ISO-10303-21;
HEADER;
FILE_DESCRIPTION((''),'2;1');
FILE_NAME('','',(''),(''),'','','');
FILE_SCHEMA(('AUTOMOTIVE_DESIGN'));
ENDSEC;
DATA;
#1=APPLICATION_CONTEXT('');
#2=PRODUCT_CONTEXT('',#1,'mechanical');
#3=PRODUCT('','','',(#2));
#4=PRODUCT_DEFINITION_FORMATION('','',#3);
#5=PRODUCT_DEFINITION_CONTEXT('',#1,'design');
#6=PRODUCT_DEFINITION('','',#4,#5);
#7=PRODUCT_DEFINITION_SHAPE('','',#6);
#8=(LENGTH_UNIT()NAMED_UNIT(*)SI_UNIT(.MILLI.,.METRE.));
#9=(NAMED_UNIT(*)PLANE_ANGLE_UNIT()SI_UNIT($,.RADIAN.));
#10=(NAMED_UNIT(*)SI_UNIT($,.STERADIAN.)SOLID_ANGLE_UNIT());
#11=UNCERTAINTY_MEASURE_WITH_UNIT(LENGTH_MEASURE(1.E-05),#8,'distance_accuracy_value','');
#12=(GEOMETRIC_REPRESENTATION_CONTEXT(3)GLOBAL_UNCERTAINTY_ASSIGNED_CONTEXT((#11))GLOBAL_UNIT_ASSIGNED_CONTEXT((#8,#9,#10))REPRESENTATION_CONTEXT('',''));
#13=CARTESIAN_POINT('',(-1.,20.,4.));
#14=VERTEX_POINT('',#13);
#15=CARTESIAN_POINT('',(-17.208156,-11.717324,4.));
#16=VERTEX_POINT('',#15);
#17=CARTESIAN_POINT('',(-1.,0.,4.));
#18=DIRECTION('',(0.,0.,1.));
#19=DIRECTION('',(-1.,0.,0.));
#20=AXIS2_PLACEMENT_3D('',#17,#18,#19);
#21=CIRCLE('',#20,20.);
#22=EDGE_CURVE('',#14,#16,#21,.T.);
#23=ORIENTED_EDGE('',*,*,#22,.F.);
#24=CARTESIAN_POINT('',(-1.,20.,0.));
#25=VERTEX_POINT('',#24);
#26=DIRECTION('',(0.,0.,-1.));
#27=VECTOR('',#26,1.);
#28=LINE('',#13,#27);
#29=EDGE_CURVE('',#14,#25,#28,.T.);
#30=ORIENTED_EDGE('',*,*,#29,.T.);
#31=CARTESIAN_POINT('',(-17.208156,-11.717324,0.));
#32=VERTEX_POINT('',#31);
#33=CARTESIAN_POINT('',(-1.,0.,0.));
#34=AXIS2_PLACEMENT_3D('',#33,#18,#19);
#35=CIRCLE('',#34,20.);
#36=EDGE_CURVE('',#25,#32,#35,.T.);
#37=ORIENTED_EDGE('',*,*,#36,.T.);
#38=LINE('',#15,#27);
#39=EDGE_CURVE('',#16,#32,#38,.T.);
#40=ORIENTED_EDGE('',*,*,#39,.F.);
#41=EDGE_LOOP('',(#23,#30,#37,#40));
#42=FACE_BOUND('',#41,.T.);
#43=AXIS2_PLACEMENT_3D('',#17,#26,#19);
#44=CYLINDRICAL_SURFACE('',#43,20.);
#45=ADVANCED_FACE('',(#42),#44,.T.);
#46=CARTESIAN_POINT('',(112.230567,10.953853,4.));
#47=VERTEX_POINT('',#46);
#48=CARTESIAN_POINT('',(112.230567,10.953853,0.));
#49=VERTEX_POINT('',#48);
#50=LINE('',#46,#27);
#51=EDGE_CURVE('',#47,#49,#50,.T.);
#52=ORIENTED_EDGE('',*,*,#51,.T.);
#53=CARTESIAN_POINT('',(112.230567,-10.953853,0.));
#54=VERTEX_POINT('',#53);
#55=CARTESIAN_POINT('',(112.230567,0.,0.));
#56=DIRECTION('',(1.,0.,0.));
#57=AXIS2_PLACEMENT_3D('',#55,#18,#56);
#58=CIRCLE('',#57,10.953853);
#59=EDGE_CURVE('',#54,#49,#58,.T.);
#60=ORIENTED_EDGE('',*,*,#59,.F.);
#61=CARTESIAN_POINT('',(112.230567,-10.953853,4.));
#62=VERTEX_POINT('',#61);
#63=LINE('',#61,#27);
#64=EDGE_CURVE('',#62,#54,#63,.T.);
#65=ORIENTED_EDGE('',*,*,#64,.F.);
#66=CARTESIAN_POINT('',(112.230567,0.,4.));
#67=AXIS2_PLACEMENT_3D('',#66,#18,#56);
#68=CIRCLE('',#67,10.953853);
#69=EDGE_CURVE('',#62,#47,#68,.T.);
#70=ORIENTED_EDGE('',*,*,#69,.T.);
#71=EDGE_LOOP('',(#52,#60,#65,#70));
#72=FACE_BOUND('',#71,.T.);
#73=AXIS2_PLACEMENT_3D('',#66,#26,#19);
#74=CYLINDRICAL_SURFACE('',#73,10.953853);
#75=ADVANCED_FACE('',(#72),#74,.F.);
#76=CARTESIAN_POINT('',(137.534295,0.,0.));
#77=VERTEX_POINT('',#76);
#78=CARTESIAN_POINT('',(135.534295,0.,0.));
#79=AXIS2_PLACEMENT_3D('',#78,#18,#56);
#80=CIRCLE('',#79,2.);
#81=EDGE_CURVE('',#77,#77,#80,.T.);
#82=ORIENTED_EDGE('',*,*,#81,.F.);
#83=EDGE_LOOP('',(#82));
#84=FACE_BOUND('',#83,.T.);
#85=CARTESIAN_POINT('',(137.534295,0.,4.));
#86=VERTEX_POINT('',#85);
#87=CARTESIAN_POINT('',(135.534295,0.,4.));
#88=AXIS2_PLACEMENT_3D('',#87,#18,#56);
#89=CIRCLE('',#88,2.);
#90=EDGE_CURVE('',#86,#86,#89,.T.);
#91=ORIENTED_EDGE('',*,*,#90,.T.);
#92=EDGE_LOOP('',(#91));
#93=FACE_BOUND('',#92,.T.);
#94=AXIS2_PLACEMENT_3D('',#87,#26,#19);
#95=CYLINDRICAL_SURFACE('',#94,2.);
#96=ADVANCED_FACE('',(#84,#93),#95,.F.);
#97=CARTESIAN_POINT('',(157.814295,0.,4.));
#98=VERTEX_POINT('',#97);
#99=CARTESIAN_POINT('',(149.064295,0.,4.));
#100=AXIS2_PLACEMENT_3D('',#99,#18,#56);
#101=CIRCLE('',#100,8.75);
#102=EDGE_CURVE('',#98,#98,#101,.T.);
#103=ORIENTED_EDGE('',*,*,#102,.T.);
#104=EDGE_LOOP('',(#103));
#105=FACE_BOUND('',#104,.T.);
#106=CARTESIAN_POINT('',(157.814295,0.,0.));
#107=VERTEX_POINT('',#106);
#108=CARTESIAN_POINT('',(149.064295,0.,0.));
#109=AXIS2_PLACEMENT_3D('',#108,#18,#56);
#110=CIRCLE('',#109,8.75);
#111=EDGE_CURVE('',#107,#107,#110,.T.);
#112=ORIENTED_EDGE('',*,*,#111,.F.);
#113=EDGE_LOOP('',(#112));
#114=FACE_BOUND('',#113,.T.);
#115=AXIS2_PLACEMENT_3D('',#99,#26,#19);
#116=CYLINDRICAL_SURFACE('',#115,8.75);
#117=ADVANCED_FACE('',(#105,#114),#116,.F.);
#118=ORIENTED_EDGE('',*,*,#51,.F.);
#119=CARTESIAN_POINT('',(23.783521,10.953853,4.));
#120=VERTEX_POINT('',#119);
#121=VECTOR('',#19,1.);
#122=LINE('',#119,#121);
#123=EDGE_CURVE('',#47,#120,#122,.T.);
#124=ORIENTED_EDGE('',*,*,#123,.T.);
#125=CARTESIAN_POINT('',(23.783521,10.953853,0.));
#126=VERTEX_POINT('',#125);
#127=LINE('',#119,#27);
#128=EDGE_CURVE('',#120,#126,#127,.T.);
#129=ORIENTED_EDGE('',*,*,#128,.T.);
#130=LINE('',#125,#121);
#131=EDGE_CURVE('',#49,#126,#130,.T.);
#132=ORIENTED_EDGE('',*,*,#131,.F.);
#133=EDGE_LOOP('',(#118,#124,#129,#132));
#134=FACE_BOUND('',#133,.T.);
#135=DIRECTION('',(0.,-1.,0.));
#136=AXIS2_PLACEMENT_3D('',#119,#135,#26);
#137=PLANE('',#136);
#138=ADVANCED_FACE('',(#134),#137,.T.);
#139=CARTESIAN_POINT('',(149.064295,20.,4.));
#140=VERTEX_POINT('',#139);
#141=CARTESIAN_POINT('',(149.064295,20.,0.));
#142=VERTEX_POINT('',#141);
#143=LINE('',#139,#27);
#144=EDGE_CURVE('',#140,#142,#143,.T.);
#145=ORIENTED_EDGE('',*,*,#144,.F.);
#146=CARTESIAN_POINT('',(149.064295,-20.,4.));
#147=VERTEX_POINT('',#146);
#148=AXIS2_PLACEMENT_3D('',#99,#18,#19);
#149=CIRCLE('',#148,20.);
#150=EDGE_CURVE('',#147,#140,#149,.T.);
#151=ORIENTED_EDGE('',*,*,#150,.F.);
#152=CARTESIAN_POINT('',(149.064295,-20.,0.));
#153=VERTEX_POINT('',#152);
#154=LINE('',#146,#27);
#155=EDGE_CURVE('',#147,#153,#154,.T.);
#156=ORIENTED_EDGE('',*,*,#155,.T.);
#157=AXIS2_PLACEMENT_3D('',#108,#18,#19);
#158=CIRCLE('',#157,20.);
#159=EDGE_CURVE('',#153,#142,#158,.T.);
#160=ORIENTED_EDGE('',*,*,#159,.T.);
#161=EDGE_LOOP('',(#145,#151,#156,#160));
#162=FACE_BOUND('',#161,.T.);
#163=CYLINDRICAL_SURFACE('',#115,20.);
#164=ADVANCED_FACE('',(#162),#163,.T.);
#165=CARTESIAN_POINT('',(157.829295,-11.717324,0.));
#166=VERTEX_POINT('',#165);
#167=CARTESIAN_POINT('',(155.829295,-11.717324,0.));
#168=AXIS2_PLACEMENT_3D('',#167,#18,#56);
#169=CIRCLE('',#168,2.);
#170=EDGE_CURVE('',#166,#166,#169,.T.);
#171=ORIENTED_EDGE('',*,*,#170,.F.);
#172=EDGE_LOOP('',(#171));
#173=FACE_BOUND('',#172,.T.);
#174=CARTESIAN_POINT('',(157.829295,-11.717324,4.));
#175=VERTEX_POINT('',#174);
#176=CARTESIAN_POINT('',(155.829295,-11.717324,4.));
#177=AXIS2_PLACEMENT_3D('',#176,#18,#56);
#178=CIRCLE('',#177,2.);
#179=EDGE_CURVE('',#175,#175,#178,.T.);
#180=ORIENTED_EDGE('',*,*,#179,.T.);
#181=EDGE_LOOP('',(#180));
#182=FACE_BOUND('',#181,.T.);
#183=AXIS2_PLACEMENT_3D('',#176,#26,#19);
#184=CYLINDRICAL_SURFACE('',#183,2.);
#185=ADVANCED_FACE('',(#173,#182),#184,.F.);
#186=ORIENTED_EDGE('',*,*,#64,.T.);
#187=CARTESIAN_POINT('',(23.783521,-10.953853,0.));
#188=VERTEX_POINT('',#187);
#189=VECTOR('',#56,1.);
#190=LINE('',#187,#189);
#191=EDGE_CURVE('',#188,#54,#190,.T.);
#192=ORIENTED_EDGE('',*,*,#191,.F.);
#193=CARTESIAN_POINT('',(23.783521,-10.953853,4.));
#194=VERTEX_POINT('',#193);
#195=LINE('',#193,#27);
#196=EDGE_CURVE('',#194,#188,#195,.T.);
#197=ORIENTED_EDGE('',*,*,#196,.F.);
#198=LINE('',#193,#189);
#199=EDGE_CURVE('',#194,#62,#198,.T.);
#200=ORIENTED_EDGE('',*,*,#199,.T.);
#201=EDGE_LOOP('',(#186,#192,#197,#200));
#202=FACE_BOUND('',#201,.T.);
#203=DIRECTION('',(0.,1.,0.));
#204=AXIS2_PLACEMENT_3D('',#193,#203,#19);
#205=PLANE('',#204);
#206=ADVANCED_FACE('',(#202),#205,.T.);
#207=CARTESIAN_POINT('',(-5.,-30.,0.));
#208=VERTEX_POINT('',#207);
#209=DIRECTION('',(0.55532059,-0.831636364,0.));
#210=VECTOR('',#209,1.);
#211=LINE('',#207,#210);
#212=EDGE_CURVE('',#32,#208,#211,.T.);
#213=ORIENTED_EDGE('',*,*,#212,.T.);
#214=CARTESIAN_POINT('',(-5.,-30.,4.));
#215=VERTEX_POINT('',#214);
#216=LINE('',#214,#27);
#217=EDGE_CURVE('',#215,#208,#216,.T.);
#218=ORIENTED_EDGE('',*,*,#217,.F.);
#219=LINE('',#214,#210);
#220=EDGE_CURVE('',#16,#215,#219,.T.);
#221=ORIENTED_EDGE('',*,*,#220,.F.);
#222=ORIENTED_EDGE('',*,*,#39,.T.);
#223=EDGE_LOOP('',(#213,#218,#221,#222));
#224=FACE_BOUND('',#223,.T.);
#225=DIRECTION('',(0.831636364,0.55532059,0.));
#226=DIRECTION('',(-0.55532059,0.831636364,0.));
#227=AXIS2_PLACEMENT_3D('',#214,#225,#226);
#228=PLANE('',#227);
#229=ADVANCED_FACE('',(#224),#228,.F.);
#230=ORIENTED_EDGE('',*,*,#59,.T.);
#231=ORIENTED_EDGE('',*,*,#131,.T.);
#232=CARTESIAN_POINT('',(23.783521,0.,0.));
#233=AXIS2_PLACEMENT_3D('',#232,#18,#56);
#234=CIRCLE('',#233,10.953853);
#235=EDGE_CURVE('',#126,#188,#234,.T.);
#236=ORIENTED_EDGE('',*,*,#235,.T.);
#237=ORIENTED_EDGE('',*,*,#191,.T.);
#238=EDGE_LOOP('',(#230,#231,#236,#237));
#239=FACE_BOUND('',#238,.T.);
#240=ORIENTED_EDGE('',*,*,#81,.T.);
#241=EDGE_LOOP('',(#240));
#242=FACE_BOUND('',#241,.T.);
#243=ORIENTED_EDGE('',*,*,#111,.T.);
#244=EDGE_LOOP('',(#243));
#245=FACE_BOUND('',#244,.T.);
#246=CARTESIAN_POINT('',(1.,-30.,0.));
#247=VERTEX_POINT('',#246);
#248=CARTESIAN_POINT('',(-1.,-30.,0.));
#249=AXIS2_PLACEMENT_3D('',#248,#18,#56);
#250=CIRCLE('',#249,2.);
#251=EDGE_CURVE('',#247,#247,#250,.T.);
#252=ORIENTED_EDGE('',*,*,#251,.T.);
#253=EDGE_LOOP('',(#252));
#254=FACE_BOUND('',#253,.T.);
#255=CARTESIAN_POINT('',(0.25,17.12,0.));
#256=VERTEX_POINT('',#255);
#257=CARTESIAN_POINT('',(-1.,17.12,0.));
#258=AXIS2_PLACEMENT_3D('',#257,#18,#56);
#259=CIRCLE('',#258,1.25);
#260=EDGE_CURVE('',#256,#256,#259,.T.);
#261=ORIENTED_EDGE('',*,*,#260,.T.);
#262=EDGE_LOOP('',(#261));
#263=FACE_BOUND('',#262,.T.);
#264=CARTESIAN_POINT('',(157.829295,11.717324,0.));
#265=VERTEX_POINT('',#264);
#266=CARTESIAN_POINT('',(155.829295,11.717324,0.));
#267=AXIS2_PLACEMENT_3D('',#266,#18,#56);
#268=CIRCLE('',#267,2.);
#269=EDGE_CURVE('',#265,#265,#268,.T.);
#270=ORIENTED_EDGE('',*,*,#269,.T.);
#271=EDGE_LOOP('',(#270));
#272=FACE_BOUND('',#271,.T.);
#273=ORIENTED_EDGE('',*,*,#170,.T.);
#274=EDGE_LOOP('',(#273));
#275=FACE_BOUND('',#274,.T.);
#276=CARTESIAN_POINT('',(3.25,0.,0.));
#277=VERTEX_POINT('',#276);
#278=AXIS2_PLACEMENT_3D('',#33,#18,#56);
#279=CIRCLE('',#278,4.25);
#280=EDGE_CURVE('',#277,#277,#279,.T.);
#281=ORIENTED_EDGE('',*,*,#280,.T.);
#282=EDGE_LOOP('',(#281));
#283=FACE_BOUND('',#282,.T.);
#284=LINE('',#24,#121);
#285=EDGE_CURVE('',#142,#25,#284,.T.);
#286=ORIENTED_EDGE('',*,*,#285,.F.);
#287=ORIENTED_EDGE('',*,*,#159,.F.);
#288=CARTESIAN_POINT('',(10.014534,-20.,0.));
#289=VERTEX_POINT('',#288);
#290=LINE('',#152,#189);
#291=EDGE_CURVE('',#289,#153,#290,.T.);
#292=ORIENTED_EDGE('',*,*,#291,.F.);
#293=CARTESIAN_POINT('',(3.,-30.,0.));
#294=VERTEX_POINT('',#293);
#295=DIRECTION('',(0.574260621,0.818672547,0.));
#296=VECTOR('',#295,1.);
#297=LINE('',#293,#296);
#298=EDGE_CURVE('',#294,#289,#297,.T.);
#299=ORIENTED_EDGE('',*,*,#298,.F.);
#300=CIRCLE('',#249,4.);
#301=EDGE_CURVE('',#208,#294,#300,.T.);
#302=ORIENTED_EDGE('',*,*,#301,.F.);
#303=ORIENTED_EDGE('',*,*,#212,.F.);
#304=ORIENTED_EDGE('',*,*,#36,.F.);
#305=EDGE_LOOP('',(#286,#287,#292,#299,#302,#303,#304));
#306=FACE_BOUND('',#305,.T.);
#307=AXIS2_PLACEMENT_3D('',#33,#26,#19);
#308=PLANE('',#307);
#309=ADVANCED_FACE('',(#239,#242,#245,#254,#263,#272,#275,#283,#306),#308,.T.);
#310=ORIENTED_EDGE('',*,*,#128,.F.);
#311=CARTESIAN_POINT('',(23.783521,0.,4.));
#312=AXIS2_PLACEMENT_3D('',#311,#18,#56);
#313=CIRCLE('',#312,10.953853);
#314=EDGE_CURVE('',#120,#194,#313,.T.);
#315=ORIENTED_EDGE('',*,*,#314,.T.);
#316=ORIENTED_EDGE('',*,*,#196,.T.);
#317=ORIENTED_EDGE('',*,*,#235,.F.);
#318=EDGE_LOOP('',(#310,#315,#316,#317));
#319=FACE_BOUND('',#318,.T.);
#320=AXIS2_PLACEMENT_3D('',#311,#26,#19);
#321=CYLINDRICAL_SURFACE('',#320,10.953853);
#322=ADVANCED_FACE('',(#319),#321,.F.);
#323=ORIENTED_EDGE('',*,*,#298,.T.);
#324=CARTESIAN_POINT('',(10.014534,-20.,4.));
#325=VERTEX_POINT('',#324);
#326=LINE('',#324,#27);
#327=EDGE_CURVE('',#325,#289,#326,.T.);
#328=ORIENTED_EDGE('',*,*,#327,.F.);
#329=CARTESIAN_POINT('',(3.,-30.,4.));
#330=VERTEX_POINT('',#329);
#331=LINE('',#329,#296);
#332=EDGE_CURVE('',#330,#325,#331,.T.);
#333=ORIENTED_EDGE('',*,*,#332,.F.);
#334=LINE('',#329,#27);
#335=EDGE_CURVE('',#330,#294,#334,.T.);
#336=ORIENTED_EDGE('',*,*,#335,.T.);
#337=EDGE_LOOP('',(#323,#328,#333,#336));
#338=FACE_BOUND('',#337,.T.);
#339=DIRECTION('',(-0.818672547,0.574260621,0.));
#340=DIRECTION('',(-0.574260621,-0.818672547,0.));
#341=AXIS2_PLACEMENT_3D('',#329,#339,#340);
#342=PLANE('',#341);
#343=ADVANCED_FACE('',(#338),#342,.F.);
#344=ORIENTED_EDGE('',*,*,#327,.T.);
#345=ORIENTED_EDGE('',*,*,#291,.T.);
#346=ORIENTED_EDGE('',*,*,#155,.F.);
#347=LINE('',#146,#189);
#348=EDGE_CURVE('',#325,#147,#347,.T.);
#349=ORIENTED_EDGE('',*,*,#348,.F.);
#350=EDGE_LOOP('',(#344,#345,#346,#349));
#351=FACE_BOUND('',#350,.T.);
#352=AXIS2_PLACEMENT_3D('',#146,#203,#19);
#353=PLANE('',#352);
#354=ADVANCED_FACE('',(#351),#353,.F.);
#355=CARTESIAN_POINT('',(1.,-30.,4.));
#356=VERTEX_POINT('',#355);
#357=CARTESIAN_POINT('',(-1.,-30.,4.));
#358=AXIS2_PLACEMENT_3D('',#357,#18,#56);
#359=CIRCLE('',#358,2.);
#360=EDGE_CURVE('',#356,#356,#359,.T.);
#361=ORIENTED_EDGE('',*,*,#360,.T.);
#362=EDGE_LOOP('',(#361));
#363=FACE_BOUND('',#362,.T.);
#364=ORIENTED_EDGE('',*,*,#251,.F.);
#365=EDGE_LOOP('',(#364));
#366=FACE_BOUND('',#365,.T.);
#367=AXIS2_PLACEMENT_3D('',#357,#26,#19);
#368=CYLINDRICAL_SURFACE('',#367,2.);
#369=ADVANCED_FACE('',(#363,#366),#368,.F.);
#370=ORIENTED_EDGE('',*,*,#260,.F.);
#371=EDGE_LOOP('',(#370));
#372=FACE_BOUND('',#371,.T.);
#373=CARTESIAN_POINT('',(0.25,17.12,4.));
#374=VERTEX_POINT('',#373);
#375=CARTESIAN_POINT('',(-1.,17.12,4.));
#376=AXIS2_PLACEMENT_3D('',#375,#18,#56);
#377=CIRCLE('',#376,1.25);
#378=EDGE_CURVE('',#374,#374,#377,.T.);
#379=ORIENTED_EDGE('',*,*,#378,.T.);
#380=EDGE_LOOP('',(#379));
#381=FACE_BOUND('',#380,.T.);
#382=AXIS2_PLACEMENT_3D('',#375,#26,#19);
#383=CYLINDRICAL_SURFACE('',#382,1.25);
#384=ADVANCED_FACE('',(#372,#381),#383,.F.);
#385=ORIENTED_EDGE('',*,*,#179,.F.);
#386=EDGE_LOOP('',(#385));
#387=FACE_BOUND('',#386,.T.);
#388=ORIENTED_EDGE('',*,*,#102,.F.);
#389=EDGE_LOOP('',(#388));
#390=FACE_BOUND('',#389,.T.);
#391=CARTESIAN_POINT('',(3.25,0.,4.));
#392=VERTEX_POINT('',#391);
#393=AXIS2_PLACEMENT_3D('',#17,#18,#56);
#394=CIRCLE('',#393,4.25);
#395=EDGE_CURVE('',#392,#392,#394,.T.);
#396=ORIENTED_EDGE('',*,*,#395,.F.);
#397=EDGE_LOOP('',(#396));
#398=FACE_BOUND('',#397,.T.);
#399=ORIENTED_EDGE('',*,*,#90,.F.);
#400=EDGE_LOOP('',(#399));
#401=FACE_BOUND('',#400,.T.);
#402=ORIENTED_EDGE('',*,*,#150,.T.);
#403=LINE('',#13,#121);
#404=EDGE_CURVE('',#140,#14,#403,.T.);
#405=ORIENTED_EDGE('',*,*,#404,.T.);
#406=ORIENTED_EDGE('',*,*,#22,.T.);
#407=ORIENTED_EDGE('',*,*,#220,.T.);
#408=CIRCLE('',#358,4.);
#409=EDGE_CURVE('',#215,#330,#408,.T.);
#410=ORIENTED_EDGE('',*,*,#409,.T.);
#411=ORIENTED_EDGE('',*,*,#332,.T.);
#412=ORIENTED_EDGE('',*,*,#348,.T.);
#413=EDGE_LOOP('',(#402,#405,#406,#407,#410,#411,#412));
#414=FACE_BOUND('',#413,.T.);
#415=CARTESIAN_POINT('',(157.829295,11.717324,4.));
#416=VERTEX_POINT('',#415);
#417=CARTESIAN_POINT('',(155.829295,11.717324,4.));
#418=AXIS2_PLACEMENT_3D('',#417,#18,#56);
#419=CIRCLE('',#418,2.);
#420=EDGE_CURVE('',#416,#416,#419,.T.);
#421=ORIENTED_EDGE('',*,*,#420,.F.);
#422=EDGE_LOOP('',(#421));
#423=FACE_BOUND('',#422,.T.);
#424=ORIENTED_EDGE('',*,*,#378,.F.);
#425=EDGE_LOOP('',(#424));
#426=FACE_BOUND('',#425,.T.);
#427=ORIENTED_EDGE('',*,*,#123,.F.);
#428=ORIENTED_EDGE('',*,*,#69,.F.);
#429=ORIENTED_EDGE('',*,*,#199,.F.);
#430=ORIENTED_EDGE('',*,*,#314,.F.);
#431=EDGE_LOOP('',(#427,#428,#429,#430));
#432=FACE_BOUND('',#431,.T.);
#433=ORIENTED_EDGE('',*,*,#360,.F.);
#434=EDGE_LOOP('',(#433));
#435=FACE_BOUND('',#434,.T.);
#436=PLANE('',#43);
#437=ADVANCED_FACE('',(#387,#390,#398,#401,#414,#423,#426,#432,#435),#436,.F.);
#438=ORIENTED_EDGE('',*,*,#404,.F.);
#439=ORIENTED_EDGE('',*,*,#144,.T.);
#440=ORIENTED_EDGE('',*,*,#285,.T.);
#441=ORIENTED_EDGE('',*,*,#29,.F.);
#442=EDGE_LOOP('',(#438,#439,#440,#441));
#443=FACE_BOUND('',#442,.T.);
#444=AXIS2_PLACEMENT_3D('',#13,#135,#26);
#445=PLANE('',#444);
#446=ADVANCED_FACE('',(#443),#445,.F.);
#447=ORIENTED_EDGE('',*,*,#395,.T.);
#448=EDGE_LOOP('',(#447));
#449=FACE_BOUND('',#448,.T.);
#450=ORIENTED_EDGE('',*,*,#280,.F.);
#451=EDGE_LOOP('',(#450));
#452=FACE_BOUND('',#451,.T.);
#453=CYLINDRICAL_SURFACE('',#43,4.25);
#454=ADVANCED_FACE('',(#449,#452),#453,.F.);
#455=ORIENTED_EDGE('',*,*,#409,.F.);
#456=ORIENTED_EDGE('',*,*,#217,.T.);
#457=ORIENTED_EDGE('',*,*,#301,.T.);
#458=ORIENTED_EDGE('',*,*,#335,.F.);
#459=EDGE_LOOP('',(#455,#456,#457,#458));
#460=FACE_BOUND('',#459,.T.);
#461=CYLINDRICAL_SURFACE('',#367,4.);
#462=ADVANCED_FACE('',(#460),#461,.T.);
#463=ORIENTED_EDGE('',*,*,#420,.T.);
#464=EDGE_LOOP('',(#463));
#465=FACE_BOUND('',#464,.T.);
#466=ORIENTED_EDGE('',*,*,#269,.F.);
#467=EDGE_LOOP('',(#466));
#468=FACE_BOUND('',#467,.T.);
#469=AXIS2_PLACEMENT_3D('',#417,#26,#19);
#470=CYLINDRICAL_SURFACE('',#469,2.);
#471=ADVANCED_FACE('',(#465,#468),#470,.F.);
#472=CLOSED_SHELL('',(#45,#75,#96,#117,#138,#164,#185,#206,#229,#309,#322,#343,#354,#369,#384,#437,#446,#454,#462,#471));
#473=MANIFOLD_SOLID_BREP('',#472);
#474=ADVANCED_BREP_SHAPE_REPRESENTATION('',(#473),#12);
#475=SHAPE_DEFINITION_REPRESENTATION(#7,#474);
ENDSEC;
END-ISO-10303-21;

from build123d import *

# Parameters (mm, degrees)
SKETCH_1_R      = 4.25
SKETCH_1_R_2    = 8.75
SKETCH_1_R_3    = 2
SKETCH_1_R_4    = 1.25
EXTRUDE_1_DEPTH = 4


with BuildPart() as part:
    # 草图1 → 凸台-拉伸1 (new body)
    with BuildSketch(Plane.XY):
        with BuildLine():
            Line((-5, -30), (-17.208156126, -11.717323713))
            ThreePointArc((-17.208156126, -11.717323713), (-18.809358134, 9.10092099), (-1, 20))
            Line((-1, 20), (149.064295006, 20))
            ThreePointArc((149.064295006, 20), (169.064295006, 0), (149.064295006, -20))
            Line((149.064295006, -20), (10.014533743, -20))
            Line((10.014533743, -20), (3, -30))
            ThreePointArc((3, -30), (-1, -34), (-5, -30))
        make_face()
        with Locations((-1, 0)):
            Circle(SKETCH_1_R, mode=Mode.SUBTRACT)
        with Locations((149.064295006, 0)):
            Circle(SKETCH_1_R_2, mode=Mode.SUBTRACT)
        with Locations((135.534295006, 0)):
            Circle(SKETCH_1_R_3, mode=Mode.SUBTRACT)
        with Locations((155.829295006, 11.717323713)):
            Circle(SKETCH_1_R_3, mode=Mode.SUBTRACT)
        with Locations((155.829295006, -11.717323713)):
            Circle(SKETCH_1_R_3, mode=Mode.SUBTRACT)
        with Locations((-1, -30)):
            Circle(SKETCH_1_R_3, mode=Mode.SUBTRACT)
        with Locations((-1, 17.12)):
            Circle(SKETCH_1_R_4, mode=Mode.SUBTRACT)
        with BuildLine():
            Line((23.78352134, 10.95385289), (112.230567298, 10.95385289))
            ThreePointArc((112.230567298, 10.95385289), (123.184420188, 0), (112.230567298, -10.95385289))
            Line((112.230567298, -10.95385289), (23.78352134, -10.95385289))
            ThreePointArc((23.78352134, -10.95385289), (12.829668451, 0), (23.78352134, 10.95385289))
        make_face(mode=Mode.SUBTRACT)
    extrude(amount=EXTRUDE_1_DEPTH)


solid = part.part
